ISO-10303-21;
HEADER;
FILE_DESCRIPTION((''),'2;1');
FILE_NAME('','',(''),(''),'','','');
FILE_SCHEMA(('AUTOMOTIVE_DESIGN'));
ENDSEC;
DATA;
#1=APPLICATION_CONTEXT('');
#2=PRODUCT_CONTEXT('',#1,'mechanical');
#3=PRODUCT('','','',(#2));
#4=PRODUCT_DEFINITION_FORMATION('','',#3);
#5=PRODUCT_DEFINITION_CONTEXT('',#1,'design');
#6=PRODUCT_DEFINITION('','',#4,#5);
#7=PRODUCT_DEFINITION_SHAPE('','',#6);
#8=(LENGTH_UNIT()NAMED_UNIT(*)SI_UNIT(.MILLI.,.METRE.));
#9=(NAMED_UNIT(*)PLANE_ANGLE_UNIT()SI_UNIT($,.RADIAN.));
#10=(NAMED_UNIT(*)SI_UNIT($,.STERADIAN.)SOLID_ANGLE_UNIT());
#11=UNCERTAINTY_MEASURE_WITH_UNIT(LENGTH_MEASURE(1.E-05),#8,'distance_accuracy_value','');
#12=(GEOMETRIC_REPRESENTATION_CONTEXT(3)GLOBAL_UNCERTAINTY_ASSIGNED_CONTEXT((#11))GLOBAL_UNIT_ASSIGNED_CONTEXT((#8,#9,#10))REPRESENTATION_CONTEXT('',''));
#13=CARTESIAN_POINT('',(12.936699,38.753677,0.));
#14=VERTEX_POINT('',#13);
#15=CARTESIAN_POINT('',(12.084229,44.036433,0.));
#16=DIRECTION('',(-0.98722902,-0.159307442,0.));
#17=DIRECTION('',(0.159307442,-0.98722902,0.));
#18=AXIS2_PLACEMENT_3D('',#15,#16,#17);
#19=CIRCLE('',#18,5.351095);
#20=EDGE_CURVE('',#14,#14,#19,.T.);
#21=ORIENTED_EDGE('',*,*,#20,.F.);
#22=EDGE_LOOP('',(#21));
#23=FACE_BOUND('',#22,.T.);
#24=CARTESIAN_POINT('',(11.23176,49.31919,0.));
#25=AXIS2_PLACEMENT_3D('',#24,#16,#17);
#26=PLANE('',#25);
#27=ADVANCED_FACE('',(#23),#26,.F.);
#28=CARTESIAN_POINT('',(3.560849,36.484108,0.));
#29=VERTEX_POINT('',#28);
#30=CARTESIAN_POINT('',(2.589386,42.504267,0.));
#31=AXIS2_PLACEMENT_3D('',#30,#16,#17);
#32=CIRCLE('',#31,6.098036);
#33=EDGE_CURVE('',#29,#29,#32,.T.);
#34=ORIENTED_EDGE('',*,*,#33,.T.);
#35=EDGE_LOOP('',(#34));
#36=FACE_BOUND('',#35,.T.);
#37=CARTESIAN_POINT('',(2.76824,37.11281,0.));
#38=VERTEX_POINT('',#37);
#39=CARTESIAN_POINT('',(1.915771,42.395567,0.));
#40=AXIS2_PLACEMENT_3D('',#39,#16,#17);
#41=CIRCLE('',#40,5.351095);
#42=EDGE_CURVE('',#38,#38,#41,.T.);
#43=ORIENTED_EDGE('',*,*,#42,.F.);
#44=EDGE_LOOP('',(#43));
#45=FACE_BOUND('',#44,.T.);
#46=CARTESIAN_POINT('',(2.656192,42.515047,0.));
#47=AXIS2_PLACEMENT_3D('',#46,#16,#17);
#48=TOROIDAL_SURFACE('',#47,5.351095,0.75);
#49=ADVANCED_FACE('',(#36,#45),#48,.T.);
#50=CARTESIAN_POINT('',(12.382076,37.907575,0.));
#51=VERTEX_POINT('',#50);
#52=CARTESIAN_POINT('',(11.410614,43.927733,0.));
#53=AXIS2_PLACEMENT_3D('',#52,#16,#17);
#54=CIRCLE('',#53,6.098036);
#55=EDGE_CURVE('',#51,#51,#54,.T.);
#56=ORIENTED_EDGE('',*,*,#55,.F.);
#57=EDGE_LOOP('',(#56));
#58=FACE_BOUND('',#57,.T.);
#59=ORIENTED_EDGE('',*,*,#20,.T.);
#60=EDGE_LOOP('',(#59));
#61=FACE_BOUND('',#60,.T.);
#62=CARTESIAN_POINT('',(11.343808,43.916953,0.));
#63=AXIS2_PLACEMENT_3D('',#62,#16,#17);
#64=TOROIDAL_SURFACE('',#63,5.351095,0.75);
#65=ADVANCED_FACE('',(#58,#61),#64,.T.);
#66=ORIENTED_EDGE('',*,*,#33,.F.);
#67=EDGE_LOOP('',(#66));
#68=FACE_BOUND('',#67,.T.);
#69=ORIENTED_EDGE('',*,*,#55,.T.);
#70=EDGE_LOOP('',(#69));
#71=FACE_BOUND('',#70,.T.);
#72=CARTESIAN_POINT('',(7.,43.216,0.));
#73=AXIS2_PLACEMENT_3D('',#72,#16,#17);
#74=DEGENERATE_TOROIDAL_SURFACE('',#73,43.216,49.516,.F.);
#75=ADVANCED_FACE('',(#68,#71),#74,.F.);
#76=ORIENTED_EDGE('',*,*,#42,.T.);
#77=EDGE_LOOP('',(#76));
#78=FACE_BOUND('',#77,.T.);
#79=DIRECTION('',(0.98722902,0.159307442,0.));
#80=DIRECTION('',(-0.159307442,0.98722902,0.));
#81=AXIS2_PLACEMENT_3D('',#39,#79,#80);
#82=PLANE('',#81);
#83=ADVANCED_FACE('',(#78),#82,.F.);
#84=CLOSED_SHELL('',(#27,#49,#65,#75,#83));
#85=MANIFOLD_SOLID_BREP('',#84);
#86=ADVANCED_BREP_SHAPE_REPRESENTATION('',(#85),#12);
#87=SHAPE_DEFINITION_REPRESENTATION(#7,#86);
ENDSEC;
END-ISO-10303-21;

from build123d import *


with BuildPart() as part:
    # Sketch1 → Revolve1 (revolve)
    with BuildSketch(Plane.XY):
        with BuildLine():
            Line((1.915770545, 42.395566672), (1.063301222, 47.678323346))
            ThreePointArc((1.063301222, 47.678323346), (1.176472256, 48.208968761), (1.617923731, 48.524425312))
            ThreePointArc((1.617923731, 48.524425312), (5.996363051, 49.435542819), (10.439151002, 49.947891537))
            ThreePointArc((10.439151002, 49.947891537), (10.957421034, 49.787303624), (11.231760132, 49.319190003))
            Line((11.231760132, 49.319190003), (12.084229455, 44.036433328))
            Line((12.084229455, 44.036433328), (1.915770545, 42.395566672))
        make_face()
    revolve(axis=Axis((12.084229455, 44.036433328, 0), (-0.98722902, -0.159307442, 0)))


solid = part.part
